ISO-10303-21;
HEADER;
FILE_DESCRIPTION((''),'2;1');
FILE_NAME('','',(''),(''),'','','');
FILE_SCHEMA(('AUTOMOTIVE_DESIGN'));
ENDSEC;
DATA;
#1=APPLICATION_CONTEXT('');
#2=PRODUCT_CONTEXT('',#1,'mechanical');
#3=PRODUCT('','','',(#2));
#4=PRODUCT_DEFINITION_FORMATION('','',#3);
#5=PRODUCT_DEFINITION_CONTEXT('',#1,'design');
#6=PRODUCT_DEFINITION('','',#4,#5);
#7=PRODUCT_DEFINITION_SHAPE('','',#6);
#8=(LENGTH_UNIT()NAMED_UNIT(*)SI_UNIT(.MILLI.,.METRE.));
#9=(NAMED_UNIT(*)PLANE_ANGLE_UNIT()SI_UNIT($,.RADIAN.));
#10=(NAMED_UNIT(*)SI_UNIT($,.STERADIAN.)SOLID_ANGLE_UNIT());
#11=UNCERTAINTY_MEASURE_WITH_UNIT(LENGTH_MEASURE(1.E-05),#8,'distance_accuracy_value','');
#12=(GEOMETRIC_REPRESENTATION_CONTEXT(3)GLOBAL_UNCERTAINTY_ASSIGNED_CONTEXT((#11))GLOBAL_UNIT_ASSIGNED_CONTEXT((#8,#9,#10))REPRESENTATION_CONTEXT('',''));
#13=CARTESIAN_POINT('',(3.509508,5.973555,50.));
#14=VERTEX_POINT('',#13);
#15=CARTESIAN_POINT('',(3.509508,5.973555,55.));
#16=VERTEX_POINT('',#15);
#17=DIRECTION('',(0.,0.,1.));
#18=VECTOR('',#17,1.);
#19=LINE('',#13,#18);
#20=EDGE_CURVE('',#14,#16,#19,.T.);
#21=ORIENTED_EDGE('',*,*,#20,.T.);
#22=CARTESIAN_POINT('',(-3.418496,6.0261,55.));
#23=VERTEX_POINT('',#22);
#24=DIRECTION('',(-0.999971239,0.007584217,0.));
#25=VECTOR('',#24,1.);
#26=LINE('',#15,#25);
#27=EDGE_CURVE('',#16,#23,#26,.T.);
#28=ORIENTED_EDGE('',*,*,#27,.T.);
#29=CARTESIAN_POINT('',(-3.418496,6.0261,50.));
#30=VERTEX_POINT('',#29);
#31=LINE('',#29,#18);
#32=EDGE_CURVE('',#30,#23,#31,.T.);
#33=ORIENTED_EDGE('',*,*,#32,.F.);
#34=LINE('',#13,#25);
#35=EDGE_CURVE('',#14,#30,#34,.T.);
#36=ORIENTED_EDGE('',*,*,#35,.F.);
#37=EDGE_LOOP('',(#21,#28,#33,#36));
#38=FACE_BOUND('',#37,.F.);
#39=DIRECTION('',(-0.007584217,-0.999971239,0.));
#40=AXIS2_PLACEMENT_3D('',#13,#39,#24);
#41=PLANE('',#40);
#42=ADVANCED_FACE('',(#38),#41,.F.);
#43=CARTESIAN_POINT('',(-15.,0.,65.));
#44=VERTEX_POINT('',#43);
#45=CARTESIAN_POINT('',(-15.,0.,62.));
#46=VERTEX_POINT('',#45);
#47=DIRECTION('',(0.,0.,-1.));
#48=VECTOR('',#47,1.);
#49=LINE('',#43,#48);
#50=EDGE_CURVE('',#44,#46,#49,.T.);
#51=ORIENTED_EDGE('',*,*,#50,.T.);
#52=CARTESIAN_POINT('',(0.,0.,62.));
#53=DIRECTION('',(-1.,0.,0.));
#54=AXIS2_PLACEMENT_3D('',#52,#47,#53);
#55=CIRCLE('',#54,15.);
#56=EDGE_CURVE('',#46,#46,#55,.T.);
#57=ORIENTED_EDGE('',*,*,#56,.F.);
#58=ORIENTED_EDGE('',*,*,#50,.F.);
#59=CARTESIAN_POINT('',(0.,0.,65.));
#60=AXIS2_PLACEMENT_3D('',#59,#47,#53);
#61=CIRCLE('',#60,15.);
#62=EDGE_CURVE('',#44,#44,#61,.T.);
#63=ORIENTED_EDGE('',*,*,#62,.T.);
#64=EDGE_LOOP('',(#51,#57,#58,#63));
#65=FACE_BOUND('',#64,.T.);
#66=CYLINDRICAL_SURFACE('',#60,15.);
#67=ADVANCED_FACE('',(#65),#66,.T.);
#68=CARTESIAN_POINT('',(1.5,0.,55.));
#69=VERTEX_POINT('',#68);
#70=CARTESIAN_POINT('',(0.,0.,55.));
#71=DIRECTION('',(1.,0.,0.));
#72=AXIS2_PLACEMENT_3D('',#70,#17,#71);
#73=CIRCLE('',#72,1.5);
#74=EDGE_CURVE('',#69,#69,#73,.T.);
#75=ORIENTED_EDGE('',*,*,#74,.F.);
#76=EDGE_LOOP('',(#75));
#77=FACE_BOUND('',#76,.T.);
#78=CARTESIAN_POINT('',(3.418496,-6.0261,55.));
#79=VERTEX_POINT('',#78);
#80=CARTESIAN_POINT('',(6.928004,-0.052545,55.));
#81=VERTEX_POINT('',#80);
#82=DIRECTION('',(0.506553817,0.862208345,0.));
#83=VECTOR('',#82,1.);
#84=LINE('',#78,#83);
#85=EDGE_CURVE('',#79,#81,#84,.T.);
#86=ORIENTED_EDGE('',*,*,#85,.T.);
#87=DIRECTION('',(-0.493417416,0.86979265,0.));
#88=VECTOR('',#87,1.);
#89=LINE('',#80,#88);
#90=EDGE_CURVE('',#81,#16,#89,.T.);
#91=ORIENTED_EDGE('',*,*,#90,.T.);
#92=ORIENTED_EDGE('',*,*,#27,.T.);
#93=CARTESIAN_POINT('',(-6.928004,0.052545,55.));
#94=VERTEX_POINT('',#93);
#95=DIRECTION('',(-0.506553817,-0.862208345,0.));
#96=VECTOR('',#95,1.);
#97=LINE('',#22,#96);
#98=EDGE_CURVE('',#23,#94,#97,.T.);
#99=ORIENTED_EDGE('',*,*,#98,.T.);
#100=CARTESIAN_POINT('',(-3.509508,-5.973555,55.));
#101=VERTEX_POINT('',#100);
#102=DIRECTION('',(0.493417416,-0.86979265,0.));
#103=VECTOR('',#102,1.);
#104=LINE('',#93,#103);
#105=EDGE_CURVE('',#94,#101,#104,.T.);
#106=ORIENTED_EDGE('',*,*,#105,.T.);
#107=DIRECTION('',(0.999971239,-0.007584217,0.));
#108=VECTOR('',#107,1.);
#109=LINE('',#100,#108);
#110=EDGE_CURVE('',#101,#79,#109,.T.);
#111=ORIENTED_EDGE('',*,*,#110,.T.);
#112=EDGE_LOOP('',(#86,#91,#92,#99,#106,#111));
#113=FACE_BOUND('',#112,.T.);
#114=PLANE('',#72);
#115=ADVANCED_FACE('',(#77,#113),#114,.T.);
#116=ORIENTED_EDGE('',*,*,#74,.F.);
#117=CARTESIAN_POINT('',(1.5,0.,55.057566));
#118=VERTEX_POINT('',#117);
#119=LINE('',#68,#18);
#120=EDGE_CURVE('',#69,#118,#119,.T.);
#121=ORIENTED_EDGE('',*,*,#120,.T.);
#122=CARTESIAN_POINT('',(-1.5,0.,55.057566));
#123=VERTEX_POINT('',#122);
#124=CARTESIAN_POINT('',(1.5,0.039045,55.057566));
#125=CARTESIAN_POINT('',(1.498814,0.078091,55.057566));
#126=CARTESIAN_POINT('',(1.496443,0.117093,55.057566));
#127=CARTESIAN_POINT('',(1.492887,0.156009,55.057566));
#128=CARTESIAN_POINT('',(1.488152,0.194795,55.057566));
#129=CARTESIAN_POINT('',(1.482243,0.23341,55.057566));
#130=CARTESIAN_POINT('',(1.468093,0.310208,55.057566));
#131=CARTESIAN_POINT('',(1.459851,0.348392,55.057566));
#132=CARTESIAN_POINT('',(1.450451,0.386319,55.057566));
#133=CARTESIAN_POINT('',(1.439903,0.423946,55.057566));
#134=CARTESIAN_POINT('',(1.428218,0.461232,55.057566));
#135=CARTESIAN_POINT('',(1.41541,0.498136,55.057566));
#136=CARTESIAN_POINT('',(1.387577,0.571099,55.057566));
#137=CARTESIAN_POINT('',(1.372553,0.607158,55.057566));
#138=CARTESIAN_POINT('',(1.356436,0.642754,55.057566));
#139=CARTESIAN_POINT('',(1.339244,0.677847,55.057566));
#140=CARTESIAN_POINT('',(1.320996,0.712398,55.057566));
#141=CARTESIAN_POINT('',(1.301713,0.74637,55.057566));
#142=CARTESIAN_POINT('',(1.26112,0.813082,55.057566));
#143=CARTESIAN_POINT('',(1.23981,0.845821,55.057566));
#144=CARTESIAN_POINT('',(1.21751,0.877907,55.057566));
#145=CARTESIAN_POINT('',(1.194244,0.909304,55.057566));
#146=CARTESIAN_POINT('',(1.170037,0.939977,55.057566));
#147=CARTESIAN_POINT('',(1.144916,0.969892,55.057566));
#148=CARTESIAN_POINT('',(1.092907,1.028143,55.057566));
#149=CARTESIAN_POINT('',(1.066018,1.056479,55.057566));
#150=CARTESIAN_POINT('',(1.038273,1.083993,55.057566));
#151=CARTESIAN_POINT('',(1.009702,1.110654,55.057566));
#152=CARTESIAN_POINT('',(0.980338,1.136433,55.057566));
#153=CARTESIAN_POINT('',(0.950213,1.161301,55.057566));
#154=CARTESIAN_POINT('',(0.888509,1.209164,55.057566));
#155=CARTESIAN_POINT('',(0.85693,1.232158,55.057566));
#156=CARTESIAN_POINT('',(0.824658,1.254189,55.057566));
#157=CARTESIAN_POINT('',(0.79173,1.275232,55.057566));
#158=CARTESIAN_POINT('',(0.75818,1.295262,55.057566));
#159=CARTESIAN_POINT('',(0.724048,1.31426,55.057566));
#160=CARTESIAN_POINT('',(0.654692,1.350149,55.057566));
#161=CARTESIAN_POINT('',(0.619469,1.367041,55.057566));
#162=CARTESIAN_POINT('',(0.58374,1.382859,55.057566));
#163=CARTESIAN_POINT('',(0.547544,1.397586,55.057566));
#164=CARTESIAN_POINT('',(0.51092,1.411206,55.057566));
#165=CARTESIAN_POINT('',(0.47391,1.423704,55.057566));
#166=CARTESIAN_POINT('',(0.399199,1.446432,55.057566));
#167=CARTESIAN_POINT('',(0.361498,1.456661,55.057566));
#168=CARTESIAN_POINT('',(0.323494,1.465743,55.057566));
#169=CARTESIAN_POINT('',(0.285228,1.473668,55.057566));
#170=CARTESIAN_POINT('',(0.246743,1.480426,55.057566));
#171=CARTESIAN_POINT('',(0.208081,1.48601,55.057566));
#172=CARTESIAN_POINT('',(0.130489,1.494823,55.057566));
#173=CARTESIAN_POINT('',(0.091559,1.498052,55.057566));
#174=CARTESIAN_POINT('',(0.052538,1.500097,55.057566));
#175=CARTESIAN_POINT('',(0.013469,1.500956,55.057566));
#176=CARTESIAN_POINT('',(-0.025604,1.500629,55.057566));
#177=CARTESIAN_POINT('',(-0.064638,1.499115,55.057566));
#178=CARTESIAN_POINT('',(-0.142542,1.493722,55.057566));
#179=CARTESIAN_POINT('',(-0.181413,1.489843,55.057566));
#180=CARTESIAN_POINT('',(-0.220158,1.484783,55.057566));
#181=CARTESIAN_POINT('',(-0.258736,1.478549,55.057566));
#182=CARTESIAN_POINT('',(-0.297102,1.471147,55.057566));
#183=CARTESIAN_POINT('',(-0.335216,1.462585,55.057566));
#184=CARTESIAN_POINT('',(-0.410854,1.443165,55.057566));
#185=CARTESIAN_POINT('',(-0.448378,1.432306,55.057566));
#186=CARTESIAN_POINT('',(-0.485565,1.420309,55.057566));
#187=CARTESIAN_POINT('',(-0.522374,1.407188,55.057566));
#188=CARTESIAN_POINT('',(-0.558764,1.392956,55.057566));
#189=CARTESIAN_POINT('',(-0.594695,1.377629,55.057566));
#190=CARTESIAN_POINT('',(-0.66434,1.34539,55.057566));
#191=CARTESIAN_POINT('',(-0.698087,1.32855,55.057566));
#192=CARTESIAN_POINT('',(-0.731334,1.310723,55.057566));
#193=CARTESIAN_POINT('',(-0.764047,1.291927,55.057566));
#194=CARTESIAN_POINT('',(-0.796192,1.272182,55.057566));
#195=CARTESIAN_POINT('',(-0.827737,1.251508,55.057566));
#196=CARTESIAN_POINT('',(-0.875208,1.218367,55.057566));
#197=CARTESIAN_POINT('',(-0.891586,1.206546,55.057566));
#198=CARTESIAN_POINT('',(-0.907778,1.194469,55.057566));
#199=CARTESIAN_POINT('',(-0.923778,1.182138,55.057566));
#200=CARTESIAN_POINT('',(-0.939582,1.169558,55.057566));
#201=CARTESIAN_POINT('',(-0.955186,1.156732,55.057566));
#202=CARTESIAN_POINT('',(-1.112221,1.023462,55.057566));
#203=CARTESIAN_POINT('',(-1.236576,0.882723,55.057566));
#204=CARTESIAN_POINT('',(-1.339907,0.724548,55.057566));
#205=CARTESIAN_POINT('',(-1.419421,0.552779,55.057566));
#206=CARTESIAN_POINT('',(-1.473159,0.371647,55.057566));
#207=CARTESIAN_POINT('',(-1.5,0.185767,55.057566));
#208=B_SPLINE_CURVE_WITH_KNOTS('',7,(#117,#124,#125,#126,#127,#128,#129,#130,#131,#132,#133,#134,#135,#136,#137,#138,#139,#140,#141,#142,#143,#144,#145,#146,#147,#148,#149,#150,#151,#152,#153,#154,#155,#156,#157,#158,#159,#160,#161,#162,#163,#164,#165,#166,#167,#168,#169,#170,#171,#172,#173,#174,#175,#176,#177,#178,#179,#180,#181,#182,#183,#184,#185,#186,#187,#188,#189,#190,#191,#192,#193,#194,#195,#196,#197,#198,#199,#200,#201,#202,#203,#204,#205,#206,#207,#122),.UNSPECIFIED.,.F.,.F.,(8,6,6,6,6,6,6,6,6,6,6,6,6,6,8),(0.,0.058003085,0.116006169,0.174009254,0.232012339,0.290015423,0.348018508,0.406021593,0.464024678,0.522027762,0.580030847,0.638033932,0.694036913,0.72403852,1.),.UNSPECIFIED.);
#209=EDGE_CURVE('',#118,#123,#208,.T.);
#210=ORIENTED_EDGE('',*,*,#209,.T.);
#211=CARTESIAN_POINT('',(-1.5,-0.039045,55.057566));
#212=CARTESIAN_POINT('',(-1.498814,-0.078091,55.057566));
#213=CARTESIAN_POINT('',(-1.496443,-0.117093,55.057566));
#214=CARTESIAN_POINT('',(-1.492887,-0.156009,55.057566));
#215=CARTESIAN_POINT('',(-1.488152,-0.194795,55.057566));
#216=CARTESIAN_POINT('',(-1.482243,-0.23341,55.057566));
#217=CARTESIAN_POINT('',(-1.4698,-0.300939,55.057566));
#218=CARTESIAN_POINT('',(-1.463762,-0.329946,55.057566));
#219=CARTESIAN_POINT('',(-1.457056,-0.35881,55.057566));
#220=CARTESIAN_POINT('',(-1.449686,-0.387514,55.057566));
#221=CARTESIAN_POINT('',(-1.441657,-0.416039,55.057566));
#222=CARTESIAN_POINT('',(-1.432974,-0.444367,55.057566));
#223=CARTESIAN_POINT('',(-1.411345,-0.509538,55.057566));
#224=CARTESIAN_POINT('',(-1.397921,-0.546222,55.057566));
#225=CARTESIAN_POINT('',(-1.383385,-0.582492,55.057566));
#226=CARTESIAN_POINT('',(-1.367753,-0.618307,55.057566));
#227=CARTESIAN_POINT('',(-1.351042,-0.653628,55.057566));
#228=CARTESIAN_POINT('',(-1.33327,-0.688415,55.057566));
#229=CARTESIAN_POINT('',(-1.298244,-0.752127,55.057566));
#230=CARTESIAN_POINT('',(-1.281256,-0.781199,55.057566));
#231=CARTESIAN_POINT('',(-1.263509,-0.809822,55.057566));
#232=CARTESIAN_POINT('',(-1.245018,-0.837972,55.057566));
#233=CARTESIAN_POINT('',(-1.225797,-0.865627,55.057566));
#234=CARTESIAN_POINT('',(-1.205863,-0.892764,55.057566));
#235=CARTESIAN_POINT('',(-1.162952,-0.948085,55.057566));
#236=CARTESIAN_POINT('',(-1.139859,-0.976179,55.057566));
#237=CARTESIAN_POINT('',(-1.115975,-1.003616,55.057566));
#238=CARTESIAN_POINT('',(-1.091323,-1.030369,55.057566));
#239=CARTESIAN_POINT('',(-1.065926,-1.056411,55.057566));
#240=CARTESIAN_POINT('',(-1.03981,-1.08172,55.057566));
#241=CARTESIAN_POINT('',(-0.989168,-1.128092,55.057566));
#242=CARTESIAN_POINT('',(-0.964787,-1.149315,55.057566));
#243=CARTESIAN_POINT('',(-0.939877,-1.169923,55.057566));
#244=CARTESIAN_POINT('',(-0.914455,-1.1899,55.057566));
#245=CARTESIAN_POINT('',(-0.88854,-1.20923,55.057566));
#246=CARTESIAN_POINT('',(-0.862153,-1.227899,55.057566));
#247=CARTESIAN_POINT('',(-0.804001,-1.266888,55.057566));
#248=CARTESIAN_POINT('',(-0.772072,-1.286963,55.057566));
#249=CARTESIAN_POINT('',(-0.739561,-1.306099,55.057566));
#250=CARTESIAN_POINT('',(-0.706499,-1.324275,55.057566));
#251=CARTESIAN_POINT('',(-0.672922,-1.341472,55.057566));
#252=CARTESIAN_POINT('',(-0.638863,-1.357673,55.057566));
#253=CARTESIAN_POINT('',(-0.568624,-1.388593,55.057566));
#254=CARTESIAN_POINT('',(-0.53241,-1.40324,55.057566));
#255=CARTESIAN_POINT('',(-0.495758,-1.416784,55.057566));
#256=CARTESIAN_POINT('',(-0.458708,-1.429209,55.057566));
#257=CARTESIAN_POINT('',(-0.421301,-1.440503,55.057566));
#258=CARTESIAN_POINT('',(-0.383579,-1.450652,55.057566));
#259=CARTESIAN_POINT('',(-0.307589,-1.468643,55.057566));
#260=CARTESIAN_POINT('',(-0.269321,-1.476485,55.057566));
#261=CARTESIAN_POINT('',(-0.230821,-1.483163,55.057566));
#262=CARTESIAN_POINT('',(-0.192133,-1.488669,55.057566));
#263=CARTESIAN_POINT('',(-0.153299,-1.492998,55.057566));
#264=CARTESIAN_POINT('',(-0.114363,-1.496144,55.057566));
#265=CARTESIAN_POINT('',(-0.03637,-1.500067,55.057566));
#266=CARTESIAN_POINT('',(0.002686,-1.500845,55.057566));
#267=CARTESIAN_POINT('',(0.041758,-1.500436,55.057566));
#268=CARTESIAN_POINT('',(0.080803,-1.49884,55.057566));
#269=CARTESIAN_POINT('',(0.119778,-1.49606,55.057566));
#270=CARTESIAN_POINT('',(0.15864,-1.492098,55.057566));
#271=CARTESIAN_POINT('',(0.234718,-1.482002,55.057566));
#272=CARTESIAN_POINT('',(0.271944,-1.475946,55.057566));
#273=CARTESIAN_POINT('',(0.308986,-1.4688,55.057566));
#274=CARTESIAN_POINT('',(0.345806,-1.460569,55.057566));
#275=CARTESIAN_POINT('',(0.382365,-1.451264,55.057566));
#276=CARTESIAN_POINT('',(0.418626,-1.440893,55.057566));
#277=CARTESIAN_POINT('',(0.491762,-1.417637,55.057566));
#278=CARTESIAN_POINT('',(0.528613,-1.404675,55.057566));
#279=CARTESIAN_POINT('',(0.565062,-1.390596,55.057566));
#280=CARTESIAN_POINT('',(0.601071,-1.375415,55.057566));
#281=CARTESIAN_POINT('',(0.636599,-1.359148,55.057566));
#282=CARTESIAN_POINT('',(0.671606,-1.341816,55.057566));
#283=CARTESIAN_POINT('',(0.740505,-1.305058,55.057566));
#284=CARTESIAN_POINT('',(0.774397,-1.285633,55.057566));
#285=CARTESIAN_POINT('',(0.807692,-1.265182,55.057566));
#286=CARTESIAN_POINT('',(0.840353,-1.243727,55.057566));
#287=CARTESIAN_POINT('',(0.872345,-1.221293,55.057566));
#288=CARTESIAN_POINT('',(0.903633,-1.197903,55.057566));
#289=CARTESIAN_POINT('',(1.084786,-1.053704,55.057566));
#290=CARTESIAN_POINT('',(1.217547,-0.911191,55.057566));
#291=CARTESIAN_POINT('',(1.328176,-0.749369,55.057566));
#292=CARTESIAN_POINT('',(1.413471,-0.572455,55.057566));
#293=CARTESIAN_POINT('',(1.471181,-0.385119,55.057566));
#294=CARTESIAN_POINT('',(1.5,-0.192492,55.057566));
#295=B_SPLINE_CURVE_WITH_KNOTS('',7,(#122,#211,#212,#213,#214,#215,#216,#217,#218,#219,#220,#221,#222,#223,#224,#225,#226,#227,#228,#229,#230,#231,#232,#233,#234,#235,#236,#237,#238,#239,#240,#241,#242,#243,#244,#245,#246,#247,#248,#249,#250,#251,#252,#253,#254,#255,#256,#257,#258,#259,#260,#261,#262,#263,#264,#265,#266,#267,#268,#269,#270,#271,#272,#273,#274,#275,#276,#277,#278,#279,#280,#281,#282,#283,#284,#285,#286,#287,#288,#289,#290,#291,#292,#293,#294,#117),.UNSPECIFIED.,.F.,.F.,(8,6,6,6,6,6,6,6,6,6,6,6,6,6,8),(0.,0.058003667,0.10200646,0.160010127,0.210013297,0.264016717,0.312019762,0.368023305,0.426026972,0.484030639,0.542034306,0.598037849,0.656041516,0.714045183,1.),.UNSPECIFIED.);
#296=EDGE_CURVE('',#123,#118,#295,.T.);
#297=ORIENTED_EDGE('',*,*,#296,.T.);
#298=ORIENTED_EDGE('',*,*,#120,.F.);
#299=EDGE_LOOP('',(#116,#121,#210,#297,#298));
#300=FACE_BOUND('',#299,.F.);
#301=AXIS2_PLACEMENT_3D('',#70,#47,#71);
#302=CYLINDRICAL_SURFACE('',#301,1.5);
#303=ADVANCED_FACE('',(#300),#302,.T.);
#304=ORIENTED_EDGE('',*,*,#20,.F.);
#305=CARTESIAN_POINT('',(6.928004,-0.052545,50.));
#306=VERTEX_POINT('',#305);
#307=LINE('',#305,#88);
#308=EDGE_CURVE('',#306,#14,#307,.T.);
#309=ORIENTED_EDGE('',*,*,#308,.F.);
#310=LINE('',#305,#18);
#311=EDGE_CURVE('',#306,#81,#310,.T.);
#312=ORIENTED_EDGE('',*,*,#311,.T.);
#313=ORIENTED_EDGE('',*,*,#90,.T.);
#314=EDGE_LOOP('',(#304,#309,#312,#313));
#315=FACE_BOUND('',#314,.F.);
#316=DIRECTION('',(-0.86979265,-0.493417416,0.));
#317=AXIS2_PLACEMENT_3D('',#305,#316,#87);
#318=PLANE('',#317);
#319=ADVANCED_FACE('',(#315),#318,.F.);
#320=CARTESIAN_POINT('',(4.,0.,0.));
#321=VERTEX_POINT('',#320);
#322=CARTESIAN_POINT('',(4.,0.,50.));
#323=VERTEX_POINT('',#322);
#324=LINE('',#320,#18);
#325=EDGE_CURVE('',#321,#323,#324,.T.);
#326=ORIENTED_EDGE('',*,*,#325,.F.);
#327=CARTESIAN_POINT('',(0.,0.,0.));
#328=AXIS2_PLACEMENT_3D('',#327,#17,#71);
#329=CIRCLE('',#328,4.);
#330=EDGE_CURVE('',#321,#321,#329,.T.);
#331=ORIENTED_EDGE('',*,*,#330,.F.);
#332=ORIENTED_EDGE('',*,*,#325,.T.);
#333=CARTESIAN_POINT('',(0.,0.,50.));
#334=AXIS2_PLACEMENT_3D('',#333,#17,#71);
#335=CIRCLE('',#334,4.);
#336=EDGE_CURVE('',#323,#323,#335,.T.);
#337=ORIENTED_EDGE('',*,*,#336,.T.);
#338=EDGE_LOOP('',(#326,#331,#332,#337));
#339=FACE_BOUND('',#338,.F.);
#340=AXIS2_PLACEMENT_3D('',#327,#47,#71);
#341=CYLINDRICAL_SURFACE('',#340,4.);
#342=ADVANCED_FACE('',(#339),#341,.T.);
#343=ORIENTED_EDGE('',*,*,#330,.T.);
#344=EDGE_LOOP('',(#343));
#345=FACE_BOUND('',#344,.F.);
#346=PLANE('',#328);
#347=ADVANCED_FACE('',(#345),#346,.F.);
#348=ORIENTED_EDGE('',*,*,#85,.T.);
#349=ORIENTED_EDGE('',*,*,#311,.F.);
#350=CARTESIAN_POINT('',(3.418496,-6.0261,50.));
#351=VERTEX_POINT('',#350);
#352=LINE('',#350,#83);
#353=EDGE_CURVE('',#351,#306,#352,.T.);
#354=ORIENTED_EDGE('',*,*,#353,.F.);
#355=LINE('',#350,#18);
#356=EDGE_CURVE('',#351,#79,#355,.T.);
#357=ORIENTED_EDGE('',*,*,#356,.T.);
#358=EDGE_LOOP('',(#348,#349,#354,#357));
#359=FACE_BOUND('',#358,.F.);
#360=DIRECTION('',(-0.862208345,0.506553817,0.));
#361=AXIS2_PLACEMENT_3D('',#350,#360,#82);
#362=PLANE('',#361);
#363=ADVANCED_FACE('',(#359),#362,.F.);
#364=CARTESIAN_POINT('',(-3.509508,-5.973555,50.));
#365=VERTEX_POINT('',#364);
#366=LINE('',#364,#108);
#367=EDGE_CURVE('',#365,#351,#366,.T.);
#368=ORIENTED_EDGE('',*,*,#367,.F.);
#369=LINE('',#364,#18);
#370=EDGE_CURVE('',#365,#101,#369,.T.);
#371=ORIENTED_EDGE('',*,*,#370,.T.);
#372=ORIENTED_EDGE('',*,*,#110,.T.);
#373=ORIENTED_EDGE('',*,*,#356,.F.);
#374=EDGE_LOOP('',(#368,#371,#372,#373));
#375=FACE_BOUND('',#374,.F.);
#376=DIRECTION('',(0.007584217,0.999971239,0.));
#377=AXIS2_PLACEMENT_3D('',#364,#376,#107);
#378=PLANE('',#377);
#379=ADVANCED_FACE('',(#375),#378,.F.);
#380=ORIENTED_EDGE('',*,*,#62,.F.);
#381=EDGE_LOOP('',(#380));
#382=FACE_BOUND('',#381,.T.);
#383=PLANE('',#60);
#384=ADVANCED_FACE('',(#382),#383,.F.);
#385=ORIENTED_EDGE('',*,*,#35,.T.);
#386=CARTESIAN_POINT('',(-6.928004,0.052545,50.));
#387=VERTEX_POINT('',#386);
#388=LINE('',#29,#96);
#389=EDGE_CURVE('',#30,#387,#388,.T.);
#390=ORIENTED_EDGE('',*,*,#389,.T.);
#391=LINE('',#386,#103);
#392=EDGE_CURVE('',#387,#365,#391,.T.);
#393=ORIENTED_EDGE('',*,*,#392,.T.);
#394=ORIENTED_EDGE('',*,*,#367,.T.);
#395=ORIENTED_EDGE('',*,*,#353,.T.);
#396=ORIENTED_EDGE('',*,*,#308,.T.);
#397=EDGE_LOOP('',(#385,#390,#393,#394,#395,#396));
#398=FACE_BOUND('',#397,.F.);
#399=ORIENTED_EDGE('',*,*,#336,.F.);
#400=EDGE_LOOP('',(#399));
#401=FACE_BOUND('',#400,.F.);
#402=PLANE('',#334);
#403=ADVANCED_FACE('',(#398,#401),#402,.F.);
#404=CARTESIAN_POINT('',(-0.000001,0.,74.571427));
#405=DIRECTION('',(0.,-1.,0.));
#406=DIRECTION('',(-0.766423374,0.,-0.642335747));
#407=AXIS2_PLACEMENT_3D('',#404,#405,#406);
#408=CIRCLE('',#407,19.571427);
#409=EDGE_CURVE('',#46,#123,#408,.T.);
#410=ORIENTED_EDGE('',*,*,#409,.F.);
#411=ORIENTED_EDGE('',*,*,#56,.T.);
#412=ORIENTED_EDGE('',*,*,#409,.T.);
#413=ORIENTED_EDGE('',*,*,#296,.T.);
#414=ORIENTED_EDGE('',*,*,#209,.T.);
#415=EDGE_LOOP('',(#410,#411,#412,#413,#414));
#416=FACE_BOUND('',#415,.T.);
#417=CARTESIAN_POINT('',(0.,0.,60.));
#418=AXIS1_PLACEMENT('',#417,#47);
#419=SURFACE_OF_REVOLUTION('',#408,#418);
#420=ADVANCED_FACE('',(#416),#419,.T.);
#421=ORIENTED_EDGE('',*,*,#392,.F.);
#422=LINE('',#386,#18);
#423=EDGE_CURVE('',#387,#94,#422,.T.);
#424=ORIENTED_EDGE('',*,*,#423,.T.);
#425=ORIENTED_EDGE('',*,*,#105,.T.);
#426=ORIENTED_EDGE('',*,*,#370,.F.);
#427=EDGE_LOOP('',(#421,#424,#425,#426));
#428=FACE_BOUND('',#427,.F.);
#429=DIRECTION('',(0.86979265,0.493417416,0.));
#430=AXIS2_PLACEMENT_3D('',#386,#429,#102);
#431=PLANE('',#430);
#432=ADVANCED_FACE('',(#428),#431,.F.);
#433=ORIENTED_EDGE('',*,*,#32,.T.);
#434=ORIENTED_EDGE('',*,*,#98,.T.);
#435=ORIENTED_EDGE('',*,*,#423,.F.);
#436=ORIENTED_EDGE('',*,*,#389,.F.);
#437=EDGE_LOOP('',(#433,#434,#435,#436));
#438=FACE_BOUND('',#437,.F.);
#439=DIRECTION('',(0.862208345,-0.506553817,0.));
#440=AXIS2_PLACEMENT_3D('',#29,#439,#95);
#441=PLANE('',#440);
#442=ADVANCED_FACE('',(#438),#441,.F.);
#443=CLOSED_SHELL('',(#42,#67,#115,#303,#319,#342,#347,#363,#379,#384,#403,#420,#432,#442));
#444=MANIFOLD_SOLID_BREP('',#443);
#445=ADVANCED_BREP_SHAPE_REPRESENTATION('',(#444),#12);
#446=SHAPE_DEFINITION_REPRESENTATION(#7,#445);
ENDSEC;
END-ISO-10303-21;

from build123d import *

# Parameters (mm, degrees)
F0_R     = 4
F1_DEPTH = 50
F3_DEPTH = 5
F4_R     = 1.5
F5_DEPTH = 5


with BuildPart() as f1:
    # F0 (on Top) → F1 (new body)
    with BuildSketch(Plane.XY):
        Circle(F0_R)
    extrude(amount=F1_DEPTH)

    # F2 (on face) → F3 (join)
    with BuildSketch(Plane.XY.offset(50)):
        Polygon((6.928004, -0.052545), (3.509508, 5.973555), (-3.418496, 6.0261), (-6.928004, 0.052545), (-3.509508, -5.973555), (3.418496, -6.0261), align=None)
    extrude(amount=F3_DEPTH)

    # F4 (on face) → F5 (join)
    with BuildSketch(Plane.XY.offset(55)):
        Circle(F4_R)
    extrude(amount=F5_DEPTH)

    # F6 (on Front) → F7 (revolve)
    with BuildSketch(Plane.XZ):
        with BuildLine():
            Line((-15, 65), (-15, 62))
            ThreePointArc((-15, 62), (-8.276473, 56.83613), (0, 55))
            Line((0, 55), (0, 65))
            Line((0, 65), (-15, 65))
        make_face()
    revolve(axis=Axis((0, 0, 60), (0, 0, -1)))


solid = f1.part
